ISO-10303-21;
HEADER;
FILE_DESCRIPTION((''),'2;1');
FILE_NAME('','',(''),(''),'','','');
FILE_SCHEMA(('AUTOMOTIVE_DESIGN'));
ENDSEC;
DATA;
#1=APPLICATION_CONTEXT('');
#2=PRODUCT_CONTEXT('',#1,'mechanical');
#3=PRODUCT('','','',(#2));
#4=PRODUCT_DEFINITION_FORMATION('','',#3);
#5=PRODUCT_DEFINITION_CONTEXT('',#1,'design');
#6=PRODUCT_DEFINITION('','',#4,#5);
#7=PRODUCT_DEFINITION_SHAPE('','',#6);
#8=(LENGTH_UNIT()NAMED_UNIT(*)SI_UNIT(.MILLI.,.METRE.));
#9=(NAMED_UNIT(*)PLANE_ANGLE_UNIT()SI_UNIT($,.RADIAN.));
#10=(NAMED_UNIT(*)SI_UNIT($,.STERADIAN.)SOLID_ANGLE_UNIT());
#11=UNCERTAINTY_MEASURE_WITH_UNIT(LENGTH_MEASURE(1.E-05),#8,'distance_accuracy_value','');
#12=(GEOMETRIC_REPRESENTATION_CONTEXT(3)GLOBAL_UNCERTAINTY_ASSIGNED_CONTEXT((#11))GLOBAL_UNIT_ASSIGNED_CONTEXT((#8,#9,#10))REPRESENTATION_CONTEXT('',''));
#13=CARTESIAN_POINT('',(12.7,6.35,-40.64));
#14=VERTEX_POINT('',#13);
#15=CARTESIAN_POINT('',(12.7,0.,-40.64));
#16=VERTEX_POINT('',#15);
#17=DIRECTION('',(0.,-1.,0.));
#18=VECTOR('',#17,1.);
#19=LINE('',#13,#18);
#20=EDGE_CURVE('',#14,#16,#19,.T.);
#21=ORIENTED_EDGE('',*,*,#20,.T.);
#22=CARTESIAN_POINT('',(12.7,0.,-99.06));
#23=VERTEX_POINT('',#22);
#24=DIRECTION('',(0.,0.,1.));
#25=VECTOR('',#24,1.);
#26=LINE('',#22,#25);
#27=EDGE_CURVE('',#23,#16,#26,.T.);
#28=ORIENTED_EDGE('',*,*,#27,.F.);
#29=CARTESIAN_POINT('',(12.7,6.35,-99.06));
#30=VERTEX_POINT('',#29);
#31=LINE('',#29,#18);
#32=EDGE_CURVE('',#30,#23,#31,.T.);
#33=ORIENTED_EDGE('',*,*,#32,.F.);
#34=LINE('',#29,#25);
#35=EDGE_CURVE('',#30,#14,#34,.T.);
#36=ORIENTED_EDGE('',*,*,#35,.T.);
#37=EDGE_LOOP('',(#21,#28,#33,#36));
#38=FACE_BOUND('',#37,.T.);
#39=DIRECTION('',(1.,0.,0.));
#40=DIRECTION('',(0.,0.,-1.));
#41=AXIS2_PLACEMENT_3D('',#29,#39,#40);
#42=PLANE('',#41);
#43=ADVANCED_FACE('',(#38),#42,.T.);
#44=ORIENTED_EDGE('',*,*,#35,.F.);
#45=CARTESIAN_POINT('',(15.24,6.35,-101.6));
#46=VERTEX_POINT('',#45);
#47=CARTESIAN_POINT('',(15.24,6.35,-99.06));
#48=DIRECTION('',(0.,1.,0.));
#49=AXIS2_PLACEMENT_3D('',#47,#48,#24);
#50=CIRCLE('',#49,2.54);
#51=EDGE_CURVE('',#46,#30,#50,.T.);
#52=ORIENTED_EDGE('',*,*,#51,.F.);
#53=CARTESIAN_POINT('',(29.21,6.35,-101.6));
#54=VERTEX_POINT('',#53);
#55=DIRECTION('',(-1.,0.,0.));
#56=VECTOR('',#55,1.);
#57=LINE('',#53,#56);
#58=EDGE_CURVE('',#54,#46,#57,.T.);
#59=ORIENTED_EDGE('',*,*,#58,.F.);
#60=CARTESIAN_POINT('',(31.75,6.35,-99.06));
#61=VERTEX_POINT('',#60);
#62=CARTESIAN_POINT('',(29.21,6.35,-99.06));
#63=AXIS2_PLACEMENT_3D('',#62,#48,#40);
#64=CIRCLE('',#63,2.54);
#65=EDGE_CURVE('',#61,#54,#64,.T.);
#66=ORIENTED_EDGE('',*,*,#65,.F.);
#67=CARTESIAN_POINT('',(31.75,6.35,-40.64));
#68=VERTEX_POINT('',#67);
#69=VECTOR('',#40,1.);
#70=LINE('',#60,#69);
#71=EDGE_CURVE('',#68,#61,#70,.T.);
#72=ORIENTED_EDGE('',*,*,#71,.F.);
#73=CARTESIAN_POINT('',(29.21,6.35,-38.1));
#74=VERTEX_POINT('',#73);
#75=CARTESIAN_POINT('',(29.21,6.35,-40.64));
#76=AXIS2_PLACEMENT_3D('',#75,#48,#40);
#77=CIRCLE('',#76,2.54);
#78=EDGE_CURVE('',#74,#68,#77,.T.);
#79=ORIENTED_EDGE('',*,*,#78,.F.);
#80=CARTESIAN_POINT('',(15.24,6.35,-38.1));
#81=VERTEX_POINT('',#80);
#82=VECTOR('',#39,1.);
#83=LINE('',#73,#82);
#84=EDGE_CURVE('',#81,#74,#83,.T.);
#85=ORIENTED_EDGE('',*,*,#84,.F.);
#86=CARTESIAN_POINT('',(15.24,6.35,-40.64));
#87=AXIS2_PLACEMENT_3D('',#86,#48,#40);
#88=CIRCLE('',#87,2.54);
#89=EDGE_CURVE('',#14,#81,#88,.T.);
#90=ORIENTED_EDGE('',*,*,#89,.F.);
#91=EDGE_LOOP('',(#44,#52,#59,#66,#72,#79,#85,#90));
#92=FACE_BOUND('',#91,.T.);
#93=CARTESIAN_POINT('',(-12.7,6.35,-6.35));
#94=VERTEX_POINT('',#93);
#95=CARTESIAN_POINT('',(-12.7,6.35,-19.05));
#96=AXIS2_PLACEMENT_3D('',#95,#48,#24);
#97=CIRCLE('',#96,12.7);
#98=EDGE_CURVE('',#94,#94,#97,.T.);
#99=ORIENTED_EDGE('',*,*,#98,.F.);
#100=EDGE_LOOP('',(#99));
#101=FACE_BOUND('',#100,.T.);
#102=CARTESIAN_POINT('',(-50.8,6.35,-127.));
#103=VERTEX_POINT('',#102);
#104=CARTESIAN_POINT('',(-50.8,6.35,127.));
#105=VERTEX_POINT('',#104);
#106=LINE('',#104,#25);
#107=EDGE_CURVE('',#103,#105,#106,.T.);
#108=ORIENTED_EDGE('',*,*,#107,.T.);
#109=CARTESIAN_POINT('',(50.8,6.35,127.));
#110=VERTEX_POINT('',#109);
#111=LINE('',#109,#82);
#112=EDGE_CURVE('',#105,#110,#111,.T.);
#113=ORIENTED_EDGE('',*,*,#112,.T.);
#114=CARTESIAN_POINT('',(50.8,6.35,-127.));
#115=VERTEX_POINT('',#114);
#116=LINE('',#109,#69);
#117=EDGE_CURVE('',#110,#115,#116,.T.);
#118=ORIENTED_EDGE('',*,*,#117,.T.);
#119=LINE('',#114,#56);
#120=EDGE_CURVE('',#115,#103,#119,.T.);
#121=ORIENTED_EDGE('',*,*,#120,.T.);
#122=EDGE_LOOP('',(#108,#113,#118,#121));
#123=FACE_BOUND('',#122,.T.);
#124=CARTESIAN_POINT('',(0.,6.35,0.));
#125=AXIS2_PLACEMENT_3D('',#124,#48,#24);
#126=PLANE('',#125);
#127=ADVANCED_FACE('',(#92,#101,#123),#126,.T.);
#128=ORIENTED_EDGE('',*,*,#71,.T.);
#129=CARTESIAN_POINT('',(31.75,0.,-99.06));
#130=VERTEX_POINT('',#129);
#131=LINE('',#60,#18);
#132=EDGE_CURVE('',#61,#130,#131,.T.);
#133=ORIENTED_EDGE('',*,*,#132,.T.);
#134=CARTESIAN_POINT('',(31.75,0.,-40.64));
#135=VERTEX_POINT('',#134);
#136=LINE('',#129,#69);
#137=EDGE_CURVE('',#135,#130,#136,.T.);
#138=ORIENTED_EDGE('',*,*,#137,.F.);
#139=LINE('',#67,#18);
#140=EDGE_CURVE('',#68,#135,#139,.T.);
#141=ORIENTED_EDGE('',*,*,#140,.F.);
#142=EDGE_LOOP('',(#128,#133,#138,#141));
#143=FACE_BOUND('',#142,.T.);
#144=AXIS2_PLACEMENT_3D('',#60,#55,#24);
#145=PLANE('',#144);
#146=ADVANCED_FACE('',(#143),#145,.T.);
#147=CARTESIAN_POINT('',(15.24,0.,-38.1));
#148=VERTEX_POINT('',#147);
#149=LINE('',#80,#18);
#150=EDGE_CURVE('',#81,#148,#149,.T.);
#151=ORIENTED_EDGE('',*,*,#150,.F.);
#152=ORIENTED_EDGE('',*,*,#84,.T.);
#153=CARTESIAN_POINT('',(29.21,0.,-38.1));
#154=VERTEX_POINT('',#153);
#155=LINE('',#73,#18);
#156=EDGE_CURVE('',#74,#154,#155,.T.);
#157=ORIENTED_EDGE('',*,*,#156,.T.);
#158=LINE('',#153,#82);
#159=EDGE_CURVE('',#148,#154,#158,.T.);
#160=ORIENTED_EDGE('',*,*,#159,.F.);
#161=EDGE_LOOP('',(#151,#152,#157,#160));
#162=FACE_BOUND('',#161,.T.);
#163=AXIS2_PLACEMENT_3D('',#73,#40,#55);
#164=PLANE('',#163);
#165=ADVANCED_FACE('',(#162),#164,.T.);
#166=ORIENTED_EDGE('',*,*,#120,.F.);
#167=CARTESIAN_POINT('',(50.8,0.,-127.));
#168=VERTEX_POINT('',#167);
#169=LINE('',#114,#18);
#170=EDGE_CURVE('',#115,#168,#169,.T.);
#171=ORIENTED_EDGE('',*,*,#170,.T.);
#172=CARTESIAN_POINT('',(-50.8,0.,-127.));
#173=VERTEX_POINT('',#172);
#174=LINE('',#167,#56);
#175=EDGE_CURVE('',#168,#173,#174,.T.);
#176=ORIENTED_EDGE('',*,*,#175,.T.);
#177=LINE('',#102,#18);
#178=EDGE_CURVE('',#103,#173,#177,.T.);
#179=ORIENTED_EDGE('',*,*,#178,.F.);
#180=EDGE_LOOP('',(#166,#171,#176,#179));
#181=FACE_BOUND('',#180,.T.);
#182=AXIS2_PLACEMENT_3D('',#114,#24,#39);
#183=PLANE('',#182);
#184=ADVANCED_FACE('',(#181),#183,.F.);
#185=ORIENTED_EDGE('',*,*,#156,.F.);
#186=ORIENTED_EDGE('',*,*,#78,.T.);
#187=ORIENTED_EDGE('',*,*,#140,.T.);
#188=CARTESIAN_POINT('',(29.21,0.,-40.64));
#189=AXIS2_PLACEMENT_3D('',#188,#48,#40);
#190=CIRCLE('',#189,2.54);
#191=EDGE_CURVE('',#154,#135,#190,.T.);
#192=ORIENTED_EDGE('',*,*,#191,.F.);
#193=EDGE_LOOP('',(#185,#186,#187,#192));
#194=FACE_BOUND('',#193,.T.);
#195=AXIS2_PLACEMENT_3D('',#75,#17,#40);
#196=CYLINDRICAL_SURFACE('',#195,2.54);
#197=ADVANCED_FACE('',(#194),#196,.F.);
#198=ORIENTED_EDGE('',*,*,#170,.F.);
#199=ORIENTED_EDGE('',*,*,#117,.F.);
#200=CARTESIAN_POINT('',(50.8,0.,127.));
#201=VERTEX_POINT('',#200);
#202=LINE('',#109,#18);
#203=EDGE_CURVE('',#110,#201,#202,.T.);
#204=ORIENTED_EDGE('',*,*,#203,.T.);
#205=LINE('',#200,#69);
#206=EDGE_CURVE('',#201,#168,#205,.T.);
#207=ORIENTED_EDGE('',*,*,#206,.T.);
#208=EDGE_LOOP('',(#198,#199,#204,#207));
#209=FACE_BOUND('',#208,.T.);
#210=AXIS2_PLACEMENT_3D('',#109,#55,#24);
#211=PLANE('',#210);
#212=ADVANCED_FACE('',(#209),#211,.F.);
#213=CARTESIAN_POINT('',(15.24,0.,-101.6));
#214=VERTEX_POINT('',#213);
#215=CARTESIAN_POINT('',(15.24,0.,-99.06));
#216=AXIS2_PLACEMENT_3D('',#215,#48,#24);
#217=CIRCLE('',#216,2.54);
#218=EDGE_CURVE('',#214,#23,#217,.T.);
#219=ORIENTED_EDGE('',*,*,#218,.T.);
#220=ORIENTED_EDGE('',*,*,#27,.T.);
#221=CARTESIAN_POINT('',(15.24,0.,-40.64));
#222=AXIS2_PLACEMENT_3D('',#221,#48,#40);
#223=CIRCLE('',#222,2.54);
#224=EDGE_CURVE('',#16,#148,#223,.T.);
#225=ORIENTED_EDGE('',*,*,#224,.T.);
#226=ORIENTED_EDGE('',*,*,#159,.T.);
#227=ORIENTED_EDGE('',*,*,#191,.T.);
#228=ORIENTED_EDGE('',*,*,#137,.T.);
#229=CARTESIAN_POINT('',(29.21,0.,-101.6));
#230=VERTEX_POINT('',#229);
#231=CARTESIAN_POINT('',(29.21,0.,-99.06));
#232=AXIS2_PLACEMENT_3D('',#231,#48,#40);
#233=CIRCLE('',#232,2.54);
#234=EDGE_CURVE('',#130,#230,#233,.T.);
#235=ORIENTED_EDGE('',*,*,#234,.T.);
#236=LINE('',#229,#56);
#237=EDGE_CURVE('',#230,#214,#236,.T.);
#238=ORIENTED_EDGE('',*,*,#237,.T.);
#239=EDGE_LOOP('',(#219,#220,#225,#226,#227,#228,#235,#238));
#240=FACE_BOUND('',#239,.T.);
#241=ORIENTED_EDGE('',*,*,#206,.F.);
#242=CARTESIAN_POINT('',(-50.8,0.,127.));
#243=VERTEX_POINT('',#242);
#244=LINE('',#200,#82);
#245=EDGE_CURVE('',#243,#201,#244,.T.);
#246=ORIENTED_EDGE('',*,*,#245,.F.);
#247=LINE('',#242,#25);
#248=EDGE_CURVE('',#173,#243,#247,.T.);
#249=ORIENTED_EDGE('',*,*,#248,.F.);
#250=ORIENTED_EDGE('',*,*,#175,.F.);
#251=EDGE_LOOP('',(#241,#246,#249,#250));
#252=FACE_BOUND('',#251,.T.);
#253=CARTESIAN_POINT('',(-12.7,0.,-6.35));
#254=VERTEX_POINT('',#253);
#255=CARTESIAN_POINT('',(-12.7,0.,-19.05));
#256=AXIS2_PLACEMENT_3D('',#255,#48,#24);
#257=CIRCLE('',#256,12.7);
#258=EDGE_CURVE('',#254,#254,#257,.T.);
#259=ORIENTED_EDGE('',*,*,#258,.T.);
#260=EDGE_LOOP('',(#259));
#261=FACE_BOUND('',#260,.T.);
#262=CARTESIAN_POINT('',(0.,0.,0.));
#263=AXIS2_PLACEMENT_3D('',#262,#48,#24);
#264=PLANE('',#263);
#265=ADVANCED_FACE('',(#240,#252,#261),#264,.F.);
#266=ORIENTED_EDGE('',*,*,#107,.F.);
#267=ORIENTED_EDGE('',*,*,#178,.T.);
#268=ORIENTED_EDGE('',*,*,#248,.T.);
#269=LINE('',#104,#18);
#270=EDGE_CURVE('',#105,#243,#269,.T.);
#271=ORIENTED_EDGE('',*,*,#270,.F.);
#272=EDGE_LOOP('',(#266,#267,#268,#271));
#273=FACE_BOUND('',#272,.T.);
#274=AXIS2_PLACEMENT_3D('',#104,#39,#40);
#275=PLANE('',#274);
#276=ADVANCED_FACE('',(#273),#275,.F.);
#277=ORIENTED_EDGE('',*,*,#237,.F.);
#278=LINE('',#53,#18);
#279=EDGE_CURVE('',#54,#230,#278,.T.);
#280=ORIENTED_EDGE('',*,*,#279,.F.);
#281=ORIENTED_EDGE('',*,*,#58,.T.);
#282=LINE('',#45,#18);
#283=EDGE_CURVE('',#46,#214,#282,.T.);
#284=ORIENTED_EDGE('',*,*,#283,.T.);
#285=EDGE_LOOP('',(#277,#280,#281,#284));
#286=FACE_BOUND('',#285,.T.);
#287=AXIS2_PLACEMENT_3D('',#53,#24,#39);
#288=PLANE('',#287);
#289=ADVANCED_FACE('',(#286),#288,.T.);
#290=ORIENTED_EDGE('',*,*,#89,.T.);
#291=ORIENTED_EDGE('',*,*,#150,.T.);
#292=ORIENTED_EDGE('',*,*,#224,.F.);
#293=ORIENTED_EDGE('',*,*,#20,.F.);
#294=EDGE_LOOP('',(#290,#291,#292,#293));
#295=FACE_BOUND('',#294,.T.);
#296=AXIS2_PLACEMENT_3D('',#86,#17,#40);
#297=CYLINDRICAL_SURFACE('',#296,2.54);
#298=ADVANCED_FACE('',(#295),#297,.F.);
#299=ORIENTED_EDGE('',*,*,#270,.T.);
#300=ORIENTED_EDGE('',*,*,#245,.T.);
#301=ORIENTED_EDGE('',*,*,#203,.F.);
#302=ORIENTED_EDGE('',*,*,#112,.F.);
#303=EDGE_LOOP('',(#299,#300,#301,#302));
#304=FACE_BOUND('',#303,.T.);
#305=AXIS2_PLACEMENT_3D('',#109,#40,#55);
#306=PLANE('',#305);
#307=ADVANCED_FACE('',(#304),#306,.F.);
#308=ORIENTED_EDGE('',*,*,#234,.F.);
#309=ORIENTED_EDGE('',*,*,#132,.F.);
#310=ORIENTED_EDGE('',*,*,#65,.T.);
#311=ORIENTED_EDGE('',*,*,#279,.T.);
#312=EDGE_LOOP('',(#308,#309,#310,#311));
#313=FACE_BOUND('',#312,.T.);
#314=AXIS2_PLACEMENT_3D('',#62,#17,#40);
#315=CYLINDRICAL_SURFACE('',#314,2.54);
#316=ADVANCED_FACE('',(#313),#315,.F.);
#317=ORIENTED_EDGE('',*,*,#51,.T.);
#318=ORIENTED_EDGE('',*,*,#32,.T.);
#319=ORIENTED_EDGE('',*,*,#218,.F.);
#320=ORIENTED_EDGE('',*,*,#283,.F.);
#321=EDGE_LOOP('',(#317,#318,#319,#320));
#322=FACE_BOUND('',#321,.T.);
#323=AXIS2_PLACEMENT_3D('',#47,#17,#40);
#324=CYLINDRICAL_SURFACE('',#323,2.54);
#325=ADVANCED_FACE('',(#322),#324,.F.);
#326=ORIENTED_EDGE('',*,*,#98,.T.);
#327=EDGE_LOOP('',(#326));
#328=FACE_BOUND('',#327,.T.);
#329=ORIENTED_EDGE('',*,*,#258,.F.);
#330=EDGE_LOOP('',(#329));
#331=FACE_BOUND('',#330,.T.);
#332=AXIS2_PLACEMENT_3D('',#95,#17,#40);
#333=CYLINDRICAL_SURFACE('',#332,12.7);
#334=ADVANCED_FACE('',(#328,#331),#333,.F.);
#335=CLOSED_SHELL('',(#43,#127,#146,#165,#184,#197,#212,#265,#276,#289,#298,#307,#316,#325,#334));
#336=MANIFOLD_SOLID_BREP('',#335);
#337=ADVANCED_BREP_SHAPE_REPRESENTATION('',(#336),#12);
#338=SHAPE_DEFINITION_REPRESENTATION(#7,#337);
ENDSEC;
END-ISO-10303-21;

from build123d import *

# Parameters (mm, degrees)
SKETCH1_W           = 101.6
SKETCH1_H           = 254
SKETCH1_R           = 12.7
BOSS_EXTRUDE1_DEPTH = 6.35


with BuildPart() as part:
    # Sketch1 → Boss-Extrude1 (new body)
    with BuildSketch(Plane(origin=(0, 0, 0), x_dir=(1, 0, 0), z_dir=(0, 1, 0))):
        Rectangle(SKETCH1_W, SKETCH1_H)
        with Locations((-12.7, 19.05)):
            Circle(SKETCH1_R, mode=Mode.SUBTRACT)
        with BuildLine():
            Line((29.21, 101.6), (15.24, 101.6))
            ThreePointArc((15.24, 101.6), (13.443948776, 100.856051224), (12.7, 99.06))
            Line((12.7, 99.06), (12.7, 40.64))
            ThreePointArc((12.7, 40.64), (13.443948776, 38.843948776), (15.24, 38.1))
            Line((15.24, 38.1), (29.21, 38.1))
            ThreePointArc((29.21, 38.1), (31.006051224, 38.843948776), (31.75, 40.64))
            Line((31.75, 40.64), (31.75, 99.06))
            ThreePointArc((31.75, 99.06), (31.006051224, 100.856051224), (29.21, 101.6))
        make_face(mode=Mode.SUBTRACT)
    extrude(amount=BOSS_EXTRUDE1_DEPTH)


solid = part.part
